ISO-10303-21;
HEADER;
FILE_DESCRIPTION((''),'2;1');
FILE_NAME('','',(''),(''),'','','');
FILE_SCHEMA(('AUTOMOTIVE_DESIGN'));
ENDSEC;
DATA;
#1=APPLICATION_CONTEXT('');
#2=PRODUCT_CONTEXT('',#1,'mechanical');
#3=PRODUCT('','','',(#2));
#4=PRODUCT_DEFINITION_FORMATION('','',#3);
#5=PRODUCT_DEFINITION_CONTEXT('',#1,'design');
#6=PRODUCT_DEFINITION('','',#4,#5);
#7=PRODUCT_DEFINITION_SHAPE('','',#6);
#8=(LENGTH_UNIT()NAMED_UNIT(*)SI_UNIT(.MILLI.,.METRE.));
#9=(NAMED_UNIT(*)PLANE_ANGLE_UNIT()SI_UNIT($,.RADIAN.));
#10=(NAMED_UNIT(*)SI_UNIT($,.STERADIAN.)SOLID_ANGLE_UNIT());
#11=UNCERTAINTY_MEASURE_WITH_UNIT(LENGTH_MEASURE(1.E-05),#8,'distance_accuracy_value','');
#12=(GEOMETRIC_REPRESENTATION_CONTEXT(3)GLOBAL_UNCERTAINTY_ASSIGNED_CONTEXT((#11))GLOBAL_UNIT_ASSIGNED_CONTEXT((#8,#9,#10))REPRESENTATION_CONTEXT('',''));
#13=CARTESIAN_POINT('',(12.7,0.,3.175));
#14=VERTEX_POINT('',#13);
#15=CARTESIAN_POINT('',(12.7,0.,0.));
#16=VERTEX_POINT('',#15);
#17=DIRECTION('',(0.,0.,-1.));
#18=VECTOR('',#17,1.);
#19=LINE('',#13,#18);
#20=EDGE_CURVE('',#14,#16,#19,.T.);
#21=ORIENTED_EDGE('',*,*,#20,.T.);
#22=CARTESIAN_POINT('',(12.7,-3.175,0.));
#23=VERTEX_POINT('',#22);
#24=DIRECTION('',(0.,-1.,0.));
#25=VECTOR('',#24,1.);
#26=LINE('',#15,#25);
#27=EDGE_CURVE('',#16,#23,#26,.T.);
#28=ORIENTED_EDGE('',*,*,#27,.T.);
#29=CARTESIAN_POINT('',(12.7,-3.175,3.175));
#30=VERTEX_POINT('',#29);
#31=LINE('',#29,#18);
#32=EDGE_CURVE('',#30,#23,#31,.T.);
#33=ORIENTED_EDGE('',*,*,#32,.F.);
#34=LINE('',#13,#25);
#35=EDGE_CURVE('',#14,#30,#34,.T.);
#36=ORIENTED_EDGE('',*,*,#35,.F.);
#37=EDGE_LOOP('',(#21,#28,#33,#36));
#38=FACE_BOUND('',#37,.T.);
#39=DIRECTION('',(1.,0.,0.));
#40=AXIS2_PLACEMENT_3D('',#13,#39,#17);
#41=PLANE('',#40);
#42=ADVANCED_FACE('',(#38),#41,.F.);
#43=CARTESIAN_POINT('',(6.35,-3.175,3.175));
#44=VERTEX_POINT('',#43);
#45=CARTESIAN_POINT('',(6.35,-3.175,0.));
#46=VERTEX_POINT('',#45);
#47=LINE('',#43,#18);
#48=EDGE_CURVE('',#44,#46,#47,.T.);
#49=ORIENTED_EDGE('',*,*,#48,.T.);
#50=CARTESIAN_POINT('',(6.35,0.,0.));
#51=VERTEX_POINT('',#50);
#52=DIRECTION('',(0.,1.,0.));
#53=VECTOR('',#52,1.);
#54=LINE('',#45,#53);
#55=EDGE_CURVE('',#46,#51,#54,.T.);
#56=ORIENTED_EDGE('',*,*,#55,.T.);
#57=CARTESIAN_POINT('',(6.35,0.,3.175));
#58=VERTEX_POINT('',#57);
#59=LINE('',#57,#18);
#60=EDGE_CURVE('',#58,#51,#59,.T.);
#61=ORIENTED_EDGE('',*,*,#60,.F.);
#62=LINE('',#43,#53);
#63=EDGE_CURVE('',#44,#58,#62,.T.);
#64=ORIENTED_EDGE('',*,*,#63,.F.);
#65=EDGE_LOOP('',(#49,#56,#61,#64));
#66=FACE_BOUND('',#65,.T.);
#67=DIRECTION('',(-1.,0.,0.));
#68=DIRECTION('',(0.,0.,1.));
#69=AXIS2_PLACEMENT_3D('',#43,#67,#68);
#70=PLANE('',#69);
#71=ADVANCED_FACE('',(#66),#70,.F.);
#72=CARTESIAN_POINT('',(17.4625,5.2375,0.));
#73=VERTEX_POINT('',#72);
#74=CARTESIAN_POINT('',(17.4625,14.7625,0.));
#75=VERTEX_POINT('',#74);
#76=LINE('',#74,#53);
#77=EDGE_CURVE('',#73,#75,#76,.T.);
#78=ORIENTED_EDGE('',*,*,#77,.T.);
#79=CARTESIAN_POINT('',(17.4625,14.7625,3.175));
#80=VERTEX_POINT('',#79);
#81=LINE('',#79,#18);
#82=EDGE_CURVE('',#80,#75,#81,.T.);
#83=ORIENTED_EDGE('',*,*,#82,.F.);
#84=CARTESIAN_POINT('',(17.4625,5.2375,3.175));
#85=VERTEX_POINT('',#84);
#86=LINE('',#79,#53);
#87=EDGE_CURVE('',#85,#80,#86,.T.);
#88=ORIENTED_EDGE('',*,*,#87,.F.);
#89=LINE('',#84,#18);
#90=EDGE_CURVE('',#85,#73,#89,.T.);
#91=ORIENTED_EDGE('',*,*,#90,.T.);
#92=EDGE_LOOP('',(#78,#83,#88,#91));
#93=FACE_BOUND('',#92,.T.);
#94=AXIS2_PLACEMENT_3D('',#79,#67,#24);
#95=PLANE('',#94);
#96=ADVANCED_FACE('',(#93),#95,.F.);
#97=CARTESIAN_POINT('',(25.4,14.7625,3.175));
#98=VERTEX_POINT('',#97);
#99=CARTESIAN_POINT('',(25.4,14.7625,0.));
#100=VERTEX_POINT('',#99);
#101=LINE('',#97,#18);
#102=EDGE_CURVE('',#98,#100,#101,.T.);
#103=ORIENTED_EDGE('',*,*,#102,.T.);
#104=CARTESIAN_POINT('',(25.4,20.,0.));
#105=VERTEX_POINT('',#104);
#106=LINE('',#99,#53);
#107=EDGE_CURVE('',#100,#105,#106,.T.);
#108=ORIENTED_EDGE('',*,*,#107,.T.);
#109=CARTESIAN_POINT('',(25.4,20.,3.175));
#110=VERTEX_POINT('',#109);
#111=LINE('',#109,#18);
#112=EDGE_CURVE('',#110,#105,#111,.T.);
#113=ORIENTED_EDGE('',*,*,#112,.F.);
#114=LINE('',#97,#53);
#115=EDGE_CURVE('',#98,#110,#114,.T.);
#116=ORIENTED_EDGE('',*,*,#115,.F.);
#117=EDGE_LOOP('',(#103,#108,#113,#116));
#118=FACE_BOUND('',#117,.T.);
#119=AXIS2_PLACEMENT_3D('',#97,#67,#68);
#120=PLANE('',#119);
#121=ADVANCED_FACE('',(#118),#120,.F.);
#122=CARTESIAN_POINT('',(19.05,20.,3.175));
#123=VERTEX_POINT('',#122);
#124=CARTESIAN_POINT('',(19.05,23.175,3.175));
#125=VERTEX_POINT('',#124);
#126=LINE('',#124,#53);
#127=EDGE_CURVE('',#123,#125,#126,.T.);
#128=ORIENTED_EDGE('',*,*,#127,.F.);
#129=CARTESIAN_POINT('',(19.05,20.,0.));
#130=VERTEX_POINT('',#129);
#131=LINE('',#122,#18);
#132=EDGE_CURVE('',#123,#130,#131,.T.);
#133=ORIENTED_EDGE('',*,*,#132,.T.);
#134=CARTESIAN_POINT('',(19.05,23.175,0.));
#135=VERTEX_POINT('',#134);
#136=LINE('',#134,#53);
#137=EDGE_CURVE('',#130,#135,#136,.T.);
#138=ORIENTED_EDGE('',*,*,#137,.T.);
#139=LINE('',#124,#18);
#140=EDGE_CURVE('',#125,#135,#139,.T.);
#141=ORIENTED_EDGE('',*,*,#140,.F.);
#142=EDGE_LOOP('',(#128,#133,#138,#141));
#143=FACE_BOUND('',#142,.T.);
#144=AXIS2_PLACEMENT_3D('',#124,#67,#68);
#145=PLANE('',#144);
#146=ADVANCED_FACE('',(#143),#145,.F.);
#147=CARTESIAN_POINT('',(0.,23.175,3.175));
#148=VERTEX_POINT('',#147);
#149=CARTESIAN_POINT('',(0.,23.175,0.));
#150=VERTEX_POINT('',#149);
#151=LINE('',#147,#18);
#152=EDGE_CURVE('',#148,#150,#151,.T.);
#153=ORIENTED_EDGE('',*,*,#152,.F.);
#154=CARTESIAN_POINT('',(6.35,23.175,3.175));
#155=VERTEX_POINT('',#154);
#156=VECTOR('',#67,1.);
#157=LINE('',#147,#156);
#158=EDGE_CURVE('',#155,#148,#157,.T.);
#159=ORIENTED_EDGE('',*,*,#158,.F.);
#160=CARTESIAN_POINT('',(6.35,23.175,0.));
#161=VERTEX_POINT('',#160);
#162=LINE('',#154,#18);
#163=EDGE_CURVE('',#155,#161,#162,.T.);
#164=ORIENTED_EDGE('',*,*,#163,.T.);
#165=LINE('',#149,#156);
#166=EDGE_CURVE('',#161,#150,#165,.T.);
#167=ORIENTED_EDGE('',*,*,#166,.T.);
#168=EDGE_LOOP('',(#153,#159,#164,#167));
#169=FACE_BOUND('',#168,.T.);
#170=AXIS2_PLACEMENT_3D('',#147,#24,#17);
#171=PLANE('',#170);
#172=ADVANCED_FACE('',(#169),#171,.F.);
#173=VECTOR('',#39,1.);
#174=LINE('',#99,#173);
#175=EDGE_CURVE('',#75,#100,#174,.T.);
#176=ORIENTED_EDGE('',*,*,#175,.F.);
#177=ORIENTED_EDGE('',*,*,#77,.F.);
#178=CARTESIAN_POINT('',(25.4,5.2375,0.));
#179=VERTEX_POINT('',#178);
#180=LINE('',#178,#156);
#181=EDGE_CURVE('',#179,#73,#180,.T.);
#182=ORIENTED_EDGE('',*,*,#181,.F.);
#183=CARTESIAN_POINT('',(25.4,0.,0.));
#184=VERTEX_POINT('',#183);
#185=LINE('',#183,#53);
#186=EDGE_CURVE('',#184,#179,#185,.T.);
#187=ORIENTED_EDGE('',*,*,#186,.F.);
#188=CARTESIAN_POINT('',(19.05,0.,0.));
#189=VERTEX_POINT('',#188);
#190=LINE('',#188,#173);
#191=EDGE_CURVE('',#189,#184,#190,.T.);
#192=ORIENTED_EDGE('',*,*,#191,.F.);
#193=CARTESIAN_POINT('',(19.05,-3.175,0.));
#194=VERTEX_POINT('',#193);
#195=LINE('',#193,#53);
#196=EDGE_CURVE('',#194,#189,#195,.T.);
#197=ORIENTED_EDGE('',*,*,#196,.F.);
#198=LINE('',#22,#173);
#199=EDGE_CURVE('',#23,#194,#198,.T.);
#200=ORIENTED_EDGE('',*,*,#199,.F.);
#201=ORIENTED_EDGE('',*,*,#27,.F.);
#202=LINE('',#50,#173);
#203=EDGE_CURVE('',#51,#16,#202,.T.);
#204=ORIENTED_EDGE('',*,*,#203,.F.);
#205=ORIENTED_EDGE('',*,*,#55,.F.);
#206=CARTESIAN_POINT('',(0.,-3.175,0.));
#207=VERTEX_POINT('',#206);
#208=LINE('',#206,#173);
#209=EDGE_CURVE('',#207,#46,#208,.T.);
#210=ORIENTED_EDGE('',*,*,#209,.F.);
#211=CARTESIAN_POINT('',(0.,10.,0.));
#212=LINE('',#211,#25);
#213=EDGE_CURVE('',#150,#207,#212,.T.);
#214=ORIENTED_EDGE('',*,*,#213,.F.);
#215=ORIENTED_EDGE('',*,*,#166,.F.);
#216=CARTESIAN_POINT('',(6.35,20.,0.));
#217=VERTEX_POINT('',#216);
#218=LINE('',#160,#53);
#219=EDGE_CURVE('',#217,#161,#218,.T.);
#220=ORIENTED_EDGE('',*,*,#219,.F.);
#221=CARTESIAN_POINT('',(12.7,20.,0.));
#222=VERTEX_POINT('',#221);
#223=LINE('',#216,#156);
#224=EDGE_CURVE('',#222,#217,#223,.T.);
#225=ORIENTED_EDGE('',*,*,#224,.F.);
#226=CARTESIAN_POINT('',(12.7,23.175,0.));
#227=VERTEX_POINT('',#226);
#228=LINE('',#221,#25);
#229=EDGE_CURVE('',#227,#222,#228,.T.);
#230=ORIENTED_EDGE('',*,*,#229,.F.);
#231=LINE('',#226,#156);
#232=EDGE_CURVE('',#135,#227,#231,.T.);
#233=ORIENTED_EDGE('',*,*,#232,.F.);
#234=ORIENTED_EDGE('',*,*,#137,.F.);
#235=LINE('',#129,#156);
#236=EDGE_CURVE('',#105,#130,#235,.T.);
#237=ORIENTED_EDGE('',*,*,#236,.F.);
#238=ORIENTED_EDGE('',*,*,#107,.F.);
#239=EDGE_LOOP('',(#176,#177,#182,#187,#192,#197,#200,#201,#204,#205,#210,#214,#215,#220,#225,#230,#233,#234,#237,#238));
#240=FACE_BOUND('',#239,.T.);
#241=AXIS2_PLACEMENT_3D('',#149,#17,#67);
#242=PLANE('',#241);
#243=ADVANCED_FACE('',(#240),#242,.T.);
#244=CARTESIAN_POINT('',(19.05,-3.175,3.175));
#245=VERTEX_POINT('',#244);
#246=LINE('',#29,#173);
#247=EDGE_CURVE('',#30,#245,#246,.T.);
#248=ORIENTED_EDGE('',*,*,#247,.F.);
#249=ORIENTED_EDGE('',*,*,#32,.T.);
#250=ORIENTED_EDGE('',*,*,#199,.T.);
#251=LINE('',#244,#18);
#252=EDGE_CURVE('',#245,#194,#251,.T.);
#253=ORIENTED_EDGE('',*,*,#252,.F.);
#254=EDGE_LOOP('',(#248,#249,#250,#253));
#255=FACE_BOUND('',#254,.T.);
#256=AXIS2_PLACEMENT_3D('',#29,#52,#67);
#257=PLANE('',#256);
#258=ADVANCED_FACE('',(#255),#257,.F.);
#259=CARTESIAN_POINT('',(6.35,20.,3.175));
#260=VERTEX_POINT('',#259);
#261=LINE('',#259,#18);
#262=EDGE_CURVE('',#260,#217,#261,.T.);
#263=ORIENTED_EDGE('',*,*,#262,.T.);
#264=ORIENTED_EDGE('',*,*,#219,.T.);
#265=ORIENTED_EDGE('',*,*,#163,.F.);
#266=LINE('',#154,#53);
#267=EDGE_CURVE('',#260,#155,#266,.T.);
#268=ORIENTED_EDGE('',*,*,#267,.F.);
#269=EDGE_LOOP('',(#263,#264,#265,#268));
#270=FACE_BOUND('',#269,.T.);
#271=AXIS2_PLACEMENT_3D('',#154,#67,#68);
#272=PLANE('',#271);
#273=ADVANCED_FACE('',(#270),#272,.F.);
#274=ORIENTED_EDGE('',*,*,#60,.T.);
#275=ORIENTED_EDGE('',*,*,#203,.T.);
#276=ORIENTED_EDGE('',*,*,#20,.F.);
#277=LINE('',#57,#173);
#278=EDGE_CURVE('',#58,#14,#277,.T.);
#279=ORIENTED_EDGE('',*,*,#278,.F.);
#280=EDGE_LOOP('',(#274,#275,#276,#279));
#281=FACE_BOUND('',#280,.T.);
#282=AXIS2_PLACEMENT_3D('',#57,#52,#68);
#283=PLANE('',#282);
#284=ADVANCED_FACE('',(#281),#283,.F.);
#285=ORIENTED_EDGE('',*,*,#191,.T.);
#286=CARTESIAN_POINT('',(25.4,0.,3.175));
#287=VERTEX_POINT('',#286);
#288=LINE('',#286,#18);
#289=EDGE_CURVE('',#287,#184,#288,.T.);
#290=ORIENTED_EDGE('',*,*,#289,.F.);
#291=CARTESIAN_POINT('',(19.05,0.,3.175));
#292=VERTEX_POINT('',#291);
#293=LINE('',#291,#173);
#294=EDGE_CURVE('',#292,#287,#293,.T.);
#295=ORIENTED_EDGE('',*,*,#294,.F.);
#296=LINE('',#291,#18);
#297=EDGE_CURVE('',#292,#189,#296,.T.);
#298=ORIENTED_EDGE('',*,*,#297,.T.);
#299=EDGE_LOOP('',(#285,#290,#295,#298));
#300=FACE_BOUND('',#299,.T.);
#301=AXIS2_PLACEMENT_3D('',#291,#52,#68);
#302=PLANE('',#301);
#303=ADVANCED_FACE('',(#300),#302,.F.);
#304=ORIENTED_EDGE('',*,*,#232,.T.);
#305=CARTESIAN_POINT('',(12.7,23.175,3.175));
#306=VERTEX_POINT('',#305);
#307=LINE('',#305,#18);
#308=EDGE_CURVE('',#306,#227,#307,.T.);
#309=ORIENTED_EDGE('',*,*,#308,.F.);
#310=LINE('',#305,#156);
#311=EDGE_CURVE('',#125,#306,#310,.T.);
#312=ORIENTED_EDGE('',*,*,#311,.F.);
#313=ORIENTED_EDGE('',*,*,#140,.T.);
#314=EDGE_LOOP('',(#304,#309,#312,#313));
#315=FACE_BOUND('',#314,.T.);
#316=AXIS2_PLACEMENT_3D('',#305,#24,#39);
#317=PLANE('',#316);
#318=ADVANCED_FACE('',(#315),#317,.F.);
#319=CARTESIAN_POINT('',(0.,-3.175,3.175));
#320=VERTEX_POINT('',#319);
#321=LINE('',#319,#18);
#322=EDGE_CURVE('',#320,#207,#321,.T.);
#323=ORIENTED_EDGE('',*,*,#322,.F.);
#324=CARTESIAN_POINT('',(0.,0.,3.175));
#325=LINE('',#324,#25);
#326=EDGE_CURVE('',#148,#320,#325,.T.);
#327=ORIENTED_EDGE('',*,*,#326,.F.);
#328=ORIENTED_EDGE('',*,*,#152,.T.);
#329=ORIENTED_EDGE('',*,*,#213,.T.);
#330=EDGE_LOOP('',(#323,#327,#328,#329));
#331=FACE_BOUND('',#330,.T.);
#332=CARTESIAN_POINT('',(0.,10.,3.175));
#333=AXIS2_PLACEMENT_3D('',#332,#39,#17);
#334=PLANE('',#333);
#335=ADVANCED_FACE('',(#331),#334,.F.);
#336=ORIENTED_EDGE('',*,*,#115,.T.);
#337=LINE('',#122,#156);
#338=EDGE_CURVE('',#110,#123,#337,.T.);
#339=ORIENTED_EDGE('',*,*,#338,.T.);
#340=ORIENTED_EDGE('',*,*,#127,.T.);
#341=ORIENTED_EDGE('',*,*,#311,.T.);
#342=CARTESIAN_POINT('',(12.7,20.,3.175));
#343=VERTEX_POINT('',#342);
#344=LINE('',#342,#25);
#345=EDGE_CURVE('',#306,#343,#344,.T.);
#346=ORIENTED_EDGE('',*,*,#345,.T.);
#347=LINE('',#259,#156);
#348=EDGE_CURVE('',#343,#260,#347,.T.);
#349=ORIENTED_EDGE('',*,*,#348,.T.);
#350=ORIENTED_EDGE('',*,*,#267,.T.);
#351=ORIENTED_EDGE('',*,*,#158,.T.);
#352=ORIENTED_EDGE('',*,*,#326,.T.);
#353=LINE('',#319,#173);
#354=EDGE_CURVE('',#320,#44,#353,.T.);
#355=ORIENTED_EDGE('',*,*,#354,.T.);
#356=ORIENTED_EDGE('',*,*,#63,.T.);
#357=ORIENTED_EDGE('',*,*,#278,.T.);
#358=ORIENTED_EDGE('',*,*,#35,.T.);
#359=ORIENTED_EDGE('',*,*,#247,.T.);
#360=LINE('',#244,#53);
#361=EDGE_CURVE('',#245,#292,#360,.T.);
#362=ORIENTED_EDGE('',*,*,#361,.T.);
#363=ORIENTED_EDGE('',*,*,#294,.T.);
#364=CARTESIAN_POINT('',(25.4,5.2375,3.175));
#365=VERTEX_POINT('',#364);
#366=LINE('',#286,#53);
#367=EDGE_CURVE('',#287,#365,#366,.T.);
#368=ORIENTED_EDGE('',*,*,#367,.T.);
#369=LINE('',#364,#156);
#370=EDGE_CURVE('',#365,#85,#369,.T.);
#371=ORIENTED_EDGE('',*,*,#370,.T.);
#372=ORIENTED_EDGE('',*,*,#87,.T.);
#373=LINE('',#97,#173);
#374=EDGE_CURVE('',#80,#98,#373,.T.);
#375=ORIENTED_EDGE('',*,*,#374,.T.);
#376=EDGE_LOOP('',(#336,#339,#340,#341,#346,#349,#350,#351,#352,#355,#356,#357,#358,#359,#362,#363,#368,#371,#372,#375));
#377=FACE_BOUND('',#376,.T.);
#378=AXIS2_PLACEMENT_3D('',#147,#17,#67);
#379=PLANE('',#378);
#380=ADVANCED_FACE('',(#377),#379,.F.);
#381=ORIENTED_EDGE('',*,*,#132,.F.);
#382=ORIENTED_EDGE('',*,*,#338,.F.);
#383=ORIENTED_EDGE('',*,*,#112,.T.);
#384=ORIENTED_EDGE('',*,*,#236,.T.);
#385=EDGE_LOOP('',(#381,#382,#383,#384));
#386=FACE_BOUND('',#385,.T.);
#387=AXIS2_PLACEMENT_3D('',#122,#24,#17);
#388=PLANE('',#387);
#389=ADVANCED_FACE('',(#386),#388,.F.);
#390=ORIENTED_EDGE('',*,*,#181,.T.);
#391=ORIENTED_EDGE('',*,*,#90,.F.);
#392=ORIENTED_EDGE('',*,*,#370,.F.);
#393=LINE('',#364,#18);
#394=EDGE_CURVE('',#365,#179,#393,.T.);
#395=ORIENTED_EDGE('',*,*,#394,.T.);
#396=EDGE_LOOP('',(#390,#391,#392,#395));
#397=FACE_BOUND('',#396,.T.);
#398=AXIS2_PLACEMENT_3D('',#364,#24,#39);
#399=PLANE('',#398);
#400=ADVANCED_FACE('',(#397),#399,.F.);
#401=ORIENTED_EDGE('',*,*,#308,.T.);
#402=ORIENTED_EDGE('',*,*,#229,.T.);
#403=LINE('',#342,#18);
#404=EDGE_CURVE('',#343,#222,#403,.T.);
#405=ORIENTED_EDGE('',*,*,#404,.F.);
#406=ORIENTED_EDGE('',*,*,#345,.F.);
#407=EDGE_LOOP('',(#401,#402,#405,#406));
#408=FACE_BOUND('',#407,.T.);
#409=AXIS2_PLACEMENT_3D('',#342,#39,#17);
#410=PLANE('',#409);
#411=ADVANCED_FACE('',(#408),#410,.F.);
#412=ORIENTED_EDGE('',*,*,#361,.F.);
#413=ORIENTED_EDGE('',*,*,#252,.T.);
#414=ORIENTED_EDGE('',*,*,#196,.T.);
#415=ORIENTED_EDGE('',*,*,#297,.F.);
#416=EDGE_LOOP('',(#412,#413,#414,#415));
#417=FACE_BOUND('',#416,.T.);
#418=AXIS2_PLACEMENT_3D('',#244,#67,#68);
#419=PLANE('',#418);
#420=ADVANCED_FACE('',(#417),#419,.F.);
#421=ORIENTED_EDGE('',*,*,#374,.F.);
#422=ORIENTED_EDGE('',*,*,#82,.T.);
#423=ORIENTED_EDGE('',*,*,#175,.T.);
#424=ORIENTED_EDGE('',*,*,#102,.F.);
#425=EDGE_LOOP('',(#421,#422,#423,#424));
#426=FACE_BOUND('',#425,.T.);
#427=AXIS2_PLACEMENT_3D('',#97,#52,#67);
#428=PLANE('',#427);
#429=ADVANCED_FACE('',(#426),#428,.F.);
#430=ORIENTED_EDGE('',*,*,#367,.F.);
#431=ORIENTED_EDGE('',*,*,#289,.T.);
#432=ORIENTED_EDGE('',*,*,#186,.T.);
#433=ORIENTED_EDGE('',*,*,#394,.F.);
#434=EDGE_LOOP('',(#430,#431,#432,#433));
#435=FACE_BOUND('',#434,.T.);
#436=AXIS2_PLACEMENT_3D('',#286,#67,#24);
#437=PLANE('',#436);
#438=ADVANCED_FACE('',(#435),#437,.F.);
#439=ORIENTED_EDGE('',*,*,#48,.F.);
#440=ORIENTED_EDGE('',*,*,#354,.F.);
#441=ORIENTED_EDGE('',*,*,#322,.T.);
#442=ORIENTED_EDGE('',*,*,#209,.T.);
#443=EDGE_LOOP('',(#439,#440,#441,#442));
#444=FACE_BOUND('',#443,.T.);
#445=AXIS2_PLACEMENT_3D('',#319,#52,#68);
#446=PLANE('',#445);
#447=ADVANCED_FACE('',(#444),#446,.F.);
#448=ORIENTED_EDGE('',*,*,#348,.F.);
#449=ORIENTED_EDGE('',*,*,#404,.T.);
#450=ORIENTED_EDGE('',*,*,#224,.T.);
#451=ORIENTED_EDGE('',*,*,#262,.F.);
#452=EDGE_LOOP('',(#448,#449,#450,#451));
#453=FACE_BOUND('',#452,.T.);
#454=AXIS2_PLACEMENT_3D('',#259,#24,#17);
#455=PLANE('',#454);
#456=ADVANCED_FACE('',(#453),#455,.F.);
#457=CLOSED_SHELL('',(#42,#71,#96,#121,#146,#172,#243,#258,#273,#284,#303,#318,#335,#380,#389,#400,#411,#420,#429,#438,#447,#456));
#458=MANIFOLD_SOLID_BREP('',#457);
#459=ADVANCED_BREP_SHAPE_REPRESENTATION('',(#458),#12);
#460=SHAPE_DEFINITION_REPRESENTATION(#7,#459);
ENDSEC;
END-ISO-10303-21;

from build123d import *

# Parameters (mm, degrees)
BOSS_EXTRUDE1_DEPTH = 3.175


with BuildPart() as part:
    # Sketch1 → Boss-Extrude1 (new body)
    with BuildSketch(Plane.XY):
        Polygon((0, 0), (0, -3.175), (6.35, -3.175), (6.35, 0), (12.7, 0), (12.7, -3.175), (19.05, -3.175), (19.05, 0), (25.4, 0), (25.4, 5.2375), (17.4625, 5.2375), (17.4625, 14.7625), (25.4, 14.7625), (25.4, 20), (19.05, 20), (19.05, 23.175), (12.7, 23.175), (12.7, 20), (6.35, 20), (6.35, 23.175), (0, 23.175), (0, 20), (0, 10), align=None)
    extrude(amount=BOSS_EXTRUDE1_DEPTH)


solid = part.part
